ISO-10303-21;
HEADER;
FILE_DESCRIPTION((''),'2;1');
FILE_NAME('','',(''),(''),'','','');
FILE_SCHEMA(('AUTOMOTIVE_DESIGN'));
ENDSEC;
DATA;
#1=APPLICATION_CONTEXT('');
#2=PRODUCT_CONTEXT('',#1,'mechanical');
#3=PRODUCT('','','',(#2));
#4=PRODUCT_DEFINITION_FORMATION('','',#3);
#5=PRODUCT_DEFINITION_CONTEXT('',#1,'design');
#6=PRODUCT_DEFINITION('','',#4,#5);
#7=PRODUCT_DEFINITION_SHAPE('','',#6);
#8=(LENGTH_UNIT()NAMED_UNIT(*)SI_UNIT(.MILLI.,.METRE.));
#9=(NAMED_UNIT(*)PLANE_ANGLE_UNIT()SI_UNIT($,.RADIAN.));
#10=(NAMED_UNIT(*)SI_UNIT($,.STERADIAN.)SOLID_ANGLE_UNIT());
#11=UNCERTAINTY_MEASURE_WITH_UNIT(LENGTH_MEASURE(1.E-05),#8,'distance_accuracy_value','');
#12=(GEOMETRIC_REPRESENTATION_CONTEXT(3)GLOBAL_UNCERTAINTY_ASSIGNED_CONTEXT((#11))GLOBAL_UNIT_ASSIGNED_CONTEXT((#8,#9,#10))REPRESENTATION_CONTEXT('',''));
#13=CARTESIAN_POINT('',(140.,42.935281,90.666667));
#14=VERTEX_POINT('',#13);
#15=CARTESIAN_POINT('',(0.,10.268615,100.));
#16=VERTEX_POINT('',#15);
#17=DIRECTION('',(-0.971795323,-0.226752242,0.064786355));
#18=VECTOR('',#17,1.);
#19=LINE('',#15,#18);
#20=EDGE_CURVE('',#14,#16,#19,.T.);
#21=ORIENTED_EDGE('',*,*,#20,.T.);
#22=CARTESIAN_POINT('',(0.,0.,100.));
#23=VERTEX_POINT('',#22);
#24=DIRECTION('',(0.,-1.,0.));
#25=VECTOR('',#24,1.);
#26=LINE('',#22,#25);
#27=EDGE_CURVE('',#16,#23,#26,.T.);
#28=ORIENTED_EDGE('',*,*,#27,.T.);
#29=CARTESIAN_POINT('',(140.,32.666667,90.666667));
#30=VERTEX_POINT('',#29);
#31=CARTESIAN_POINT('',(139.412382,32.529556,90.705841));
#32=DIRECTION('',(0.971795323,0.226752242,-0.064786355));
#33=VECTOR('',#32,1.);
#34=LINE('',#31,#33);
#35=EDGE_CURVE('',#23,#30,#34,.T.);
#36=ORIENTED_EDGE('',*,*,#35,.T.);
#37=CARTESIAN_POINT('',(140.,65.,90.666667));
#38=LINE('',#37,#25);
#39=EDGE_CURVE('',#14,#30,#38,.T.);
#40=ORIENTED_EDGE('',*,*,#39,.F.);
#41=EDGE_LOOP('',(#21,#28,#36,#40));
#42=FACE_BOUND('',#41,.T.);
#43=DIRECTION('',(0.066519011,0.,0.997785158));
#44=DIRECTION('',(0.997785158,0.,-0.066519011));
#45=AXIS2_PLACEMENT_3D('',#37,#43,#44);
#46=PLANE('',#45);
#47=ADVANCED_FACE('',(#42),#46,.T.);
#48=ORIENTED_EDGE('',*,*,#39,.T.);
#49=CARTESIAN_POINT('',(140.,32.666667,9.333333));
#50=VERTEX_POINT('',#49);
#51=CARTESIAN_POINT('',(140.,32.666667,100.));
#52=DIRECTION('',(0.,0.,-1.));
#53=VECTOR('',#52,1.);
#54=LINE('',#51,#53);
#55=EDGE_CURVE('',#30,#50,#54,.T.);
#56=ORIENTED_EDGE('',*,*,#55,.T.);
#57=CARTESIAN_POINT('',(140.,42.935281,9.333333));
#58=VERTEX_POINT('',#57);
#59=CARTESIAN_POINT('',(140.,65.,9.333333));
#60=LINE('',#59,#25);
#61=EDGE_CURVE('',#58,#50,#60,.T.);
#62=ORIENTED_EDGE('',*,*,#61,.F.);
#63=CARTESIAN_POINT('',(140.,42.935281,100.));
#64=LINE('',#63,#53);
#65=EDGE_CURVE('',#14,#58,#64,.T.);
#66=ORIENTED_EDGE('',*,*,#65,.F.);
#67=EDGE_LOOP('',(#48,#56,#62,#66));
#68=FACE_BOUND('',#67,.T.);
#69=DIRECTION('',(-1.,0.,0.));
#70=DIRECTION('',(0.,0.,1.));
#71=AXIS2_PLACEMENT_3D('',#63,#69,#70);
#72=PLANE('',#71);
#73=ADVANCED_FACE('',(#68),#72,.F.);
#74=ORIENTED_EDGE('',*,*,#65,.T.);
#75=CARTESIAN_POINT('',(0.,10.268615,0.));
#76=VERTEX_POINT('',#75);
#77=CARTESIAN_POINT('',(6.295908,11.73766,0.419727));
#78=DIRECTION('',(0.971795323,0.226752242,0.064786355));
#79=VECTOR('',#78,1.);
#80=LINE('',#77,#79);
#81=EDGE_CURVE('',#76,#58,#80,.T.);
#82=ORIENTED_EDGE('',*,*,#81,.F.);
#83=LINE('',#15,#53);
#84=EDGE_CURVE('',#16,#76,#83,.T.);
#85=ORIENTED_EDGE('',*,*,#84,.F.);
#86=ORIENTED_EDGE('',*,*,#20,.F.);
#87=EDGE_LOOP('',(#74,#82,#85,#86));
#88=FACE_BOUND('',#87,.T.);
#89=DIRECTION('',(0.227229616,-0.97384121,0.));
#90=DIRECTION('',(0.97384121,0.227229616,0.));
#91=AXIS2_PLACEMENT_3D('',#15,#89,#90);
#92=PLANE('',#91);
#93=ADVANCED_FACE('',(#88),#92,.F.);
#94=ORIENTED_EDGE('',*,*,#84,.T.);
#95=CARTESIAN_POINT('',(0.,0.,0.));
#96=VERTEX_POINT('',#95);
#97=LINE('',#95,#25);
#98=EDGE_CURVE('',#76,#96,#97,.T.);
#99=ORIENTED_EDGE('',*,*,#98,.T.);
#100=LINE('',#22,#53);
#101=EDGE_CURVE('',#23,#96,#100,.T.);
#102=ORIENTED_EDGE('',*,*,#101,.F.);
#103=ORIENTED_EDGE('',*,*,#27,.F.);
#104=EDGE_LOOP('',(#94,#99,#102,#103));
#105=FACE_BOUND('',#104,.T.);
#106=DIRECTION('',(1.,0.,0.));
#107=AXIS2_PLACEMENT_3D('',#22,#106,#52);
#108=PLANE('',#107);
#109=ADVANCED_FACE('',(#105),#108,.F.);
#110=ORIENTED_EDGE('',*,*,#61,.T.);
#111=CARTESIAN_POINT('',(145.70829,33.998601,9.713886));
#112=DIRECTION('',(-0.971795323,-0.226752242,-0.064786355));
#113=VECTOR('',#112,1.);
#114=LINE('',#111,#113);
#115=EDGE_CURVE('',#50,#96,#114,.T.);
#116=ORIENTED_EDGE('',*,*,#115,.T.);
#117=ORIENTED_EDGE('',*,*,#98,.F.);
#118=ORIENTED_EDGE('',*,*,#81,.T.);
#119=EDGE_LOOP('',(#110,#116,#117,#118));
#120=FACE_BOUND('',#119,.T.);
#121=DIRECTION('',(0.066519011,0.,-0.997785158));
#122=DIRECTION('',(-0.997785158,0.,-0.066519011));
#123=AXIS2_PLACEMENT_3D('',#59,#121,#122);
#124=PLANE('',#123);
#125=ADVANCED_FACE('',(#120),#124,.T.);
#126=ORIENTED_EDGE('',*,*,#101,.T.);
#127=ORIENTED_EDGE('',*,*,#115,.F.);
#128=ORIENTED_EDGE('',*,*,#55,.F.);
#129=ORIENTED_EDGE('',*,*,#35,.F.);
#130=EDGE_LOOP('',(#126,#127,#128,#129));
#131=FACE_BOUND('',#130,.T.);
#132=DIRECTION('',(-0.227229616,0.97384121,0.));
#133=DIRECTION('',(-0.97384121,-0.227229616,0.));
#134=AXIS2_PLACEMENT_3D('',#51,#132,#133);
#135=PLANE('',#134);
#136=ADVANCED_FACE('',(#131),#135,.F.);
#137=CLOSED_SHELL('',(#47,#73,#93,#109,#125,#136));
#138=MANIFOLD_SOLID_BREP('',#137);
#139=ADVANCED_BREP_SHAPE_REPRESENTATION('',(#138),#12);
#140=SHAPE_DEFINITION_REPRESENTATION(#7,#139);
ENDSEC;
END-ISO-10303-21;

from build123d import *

# Parameters (mm, degrees)
BOSS_EXTRUDE1_DEPTH = 100
CUT_EXTRUDE1_DEPTH  = 65


with BuildPart() as part:
    # Sketch2 → Boss-Extrude1 (new body)
    with BuildSketch(Plane.XY):
        Polygon((140, 42.9352812), (140, 32.666666667), (0, 0), (0, 10.268614534), align=None)
    extrude(amount=BOSS_EXTRUDE1_DEPTH)

    # Sketch4 → Cut-Extrude1 (cut)
    with BuildSketch(Plane(origin=(0, 0, 0), x_dir=(1, 0, 0), z_dir=(0, 1, 0))):
        Polygon((0, 0), (140, 0), (140, -9.333333333), align=None)
        Polygon((140, -90.666666667), (0, -100), (140, -100), align=None)
    extrude(amount=CUT_EXTRUDE1_DEPTH, mode=Mode.SUBTRACT)


solid = part.part
